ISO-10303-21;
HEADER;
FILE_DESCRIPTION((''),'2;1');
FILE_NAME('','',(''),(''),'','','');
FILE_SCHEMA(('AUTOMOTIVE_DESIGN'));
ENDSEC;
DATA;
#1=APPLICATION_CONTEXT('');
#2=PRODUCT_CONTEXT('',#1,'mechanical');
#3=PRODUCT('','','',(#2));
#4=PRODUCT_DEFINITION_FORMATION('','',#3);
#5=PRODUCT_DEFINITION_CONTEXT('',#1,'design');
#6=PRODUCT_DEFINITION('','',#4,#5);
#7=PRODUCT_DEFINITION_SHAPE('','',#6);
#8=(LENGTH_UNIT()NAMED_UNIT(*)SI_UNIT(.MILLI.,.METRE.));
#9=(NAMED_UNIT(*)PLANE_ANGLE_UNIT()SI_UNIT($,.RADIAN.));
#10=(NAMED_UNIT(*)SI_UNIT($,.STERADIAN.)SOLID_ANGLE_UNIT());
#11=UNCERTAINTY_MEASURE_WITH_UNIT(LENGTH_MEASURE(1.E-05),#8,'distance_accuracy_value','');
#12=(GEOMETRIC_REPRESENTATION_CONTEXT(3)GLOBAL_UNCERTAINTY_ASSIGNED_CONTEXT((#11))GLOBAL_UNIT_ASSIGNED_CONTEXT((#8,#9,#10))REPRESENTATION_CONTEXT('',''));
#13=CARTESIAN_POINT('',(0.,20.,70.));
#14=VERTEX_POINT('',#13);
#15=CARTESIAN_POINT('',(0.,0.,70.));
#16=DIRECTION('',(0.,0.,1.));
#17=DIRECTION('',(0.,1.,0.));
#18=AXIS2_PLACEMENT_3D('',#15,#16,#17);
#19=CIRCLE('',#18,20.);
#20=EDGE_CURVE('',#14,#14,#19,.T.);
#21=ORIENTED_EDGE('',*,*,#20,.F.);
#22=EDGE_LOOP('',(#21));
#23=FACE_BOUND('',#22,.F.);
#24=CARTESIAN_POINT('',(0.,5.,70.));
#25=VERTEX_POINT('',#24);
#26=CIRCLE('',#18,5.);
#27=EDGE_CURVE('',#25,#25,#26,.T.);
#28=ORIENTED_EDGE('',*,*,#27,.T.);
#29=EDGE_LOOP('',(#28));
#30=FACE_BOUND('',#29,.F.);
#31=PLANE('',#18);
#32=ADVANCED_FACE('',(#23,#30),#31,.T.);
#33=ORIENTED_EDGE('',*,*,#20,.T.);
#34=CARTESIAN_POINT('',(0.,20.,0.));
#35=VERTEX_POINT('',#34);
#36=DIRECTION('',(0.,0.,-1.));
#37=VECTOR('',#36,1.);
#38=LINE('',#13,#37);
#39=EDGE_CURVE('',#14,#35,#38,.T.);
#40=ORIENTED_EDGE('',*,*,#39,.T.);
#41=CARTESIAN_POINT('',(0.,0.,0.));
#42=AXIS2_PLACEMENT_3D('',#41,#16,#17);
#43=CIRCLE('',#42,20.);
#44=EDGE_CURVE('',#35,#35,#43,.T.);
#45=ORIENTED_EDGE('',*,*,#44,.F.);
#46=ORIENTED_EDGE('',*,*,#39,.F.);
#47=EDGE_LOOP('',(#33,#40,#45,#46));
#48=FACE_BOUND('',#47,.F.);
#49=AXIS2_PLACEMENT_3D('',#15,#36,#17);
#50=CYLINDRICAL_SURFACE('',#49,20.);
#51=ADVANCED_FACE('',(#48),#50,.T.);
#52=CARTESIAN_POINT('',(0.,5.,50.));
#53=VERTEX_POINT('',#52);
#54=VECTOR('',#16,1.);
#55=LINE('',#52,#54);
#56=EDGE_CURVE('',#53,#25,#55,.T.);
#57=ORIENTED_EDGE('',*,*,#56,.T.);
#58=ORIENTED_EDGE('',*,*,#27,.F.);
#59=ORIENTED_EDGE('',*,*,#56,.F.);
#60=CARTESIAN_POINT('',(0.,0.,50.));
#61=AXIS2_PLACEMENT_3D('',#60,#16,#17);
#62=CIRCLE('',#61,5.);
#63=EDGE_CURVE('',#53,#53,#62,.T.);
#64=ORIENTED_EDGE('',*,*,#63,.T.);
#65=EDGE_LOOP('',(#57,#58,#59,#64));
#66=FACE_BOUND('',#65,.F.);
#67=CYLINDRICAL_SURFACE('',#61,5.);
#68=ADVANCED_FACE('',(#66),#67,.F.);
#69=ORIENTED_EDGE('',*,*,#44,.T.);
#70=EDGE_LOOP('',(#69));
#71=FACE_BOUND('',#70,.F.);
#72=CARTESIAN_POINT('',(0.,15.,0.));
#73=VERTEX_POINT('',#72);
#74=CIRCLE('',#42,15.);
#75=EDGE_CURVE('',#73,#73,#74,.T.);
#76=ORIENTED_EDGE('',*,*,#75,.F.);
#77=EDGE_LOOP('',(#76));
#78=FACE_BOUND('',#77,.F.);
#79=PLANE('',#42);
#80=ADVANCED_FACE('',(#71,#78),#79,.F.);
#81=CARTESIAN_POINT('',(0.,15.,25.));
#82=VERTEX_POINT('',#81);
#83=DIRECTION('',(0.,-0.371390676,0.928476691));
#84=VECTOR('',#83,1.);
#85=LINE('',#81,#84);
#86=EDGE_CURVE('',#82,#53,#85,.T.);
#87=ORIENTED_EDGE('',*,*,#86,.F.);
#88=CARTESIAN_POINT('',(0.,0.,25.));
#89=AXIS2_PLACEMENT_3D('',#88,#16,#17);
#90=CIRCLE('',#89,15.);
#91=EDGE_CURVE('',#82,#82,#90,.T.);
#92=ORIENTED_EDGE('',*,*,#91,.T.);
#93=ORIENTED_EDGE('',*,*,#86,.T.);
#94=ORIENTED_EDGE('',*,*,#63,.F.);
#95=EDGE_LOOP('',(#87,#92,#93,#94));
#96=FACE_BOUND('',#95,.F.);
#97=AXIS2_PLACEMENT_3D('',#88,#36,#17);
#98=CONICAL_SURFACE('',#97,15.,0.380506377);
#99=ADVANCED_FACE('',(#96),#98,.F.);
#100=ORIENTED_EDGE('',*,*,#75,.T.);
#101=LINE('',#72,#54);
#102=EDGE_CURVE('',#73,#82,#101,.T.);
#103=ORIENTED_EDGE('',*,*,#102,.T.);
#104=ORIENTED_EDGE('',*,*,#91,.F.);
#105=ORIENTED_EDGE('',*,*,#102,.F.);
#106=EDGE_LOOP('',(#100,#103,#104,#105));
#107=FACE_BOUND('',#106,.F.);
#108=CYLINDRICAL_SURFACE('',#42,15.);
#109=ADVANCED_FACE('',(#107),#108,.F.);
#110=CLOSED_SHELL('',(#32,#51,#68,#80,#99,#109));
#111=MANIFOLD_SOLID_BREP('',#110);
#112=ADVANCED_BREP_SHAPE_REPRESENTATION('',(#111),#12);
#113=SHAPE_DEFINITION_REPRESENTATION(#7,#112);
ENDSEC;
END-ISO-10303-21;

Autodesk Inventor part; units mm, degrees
ref_plane "YZ Plane" through (0, 0, 0) normal (1, 0, 0) x (0, 1, 0)
ref_plane "XZ Plane" through (0, 0, 0) normal (0, 1, 0) x (-1, 0, 0)
ref_plane "XY Plane" through (0, 0, 0) normal (0, 0, 1) x (1, 0, 0)
sketch "스케치2" plane through (0, 0, 0) normal (1, 0, 0) x (0, 1, 0)
  line L0 (0, 0) -> (0, 70)
  line L1 (0, 70) -> (5, 70)
  line L2 (5, 70) -> (20, 70)
  line L3 (20, 70) -> (20, 0)
  line L4 (20, 0) -> (15, 0)
  line L5 (15, 0) -> (15, 25)
  line L6 (15, 25) -> (5, 50)
  line L7 (5, 50) -> (5, 70)
  dimension "d7" = 70
  dimension "d8" = 5
  dimension "d9" = 15
  dimension "d10" = 5
  dimension "d11" = 25
  dimension "d12" = 20
  dimension "d13" = 25
revolve "회전2" add sketch "스케치2" angle 360 about axis through (0, 0, 0) along (0, 0, 1)
properties part number "기본 투상 연습6"
